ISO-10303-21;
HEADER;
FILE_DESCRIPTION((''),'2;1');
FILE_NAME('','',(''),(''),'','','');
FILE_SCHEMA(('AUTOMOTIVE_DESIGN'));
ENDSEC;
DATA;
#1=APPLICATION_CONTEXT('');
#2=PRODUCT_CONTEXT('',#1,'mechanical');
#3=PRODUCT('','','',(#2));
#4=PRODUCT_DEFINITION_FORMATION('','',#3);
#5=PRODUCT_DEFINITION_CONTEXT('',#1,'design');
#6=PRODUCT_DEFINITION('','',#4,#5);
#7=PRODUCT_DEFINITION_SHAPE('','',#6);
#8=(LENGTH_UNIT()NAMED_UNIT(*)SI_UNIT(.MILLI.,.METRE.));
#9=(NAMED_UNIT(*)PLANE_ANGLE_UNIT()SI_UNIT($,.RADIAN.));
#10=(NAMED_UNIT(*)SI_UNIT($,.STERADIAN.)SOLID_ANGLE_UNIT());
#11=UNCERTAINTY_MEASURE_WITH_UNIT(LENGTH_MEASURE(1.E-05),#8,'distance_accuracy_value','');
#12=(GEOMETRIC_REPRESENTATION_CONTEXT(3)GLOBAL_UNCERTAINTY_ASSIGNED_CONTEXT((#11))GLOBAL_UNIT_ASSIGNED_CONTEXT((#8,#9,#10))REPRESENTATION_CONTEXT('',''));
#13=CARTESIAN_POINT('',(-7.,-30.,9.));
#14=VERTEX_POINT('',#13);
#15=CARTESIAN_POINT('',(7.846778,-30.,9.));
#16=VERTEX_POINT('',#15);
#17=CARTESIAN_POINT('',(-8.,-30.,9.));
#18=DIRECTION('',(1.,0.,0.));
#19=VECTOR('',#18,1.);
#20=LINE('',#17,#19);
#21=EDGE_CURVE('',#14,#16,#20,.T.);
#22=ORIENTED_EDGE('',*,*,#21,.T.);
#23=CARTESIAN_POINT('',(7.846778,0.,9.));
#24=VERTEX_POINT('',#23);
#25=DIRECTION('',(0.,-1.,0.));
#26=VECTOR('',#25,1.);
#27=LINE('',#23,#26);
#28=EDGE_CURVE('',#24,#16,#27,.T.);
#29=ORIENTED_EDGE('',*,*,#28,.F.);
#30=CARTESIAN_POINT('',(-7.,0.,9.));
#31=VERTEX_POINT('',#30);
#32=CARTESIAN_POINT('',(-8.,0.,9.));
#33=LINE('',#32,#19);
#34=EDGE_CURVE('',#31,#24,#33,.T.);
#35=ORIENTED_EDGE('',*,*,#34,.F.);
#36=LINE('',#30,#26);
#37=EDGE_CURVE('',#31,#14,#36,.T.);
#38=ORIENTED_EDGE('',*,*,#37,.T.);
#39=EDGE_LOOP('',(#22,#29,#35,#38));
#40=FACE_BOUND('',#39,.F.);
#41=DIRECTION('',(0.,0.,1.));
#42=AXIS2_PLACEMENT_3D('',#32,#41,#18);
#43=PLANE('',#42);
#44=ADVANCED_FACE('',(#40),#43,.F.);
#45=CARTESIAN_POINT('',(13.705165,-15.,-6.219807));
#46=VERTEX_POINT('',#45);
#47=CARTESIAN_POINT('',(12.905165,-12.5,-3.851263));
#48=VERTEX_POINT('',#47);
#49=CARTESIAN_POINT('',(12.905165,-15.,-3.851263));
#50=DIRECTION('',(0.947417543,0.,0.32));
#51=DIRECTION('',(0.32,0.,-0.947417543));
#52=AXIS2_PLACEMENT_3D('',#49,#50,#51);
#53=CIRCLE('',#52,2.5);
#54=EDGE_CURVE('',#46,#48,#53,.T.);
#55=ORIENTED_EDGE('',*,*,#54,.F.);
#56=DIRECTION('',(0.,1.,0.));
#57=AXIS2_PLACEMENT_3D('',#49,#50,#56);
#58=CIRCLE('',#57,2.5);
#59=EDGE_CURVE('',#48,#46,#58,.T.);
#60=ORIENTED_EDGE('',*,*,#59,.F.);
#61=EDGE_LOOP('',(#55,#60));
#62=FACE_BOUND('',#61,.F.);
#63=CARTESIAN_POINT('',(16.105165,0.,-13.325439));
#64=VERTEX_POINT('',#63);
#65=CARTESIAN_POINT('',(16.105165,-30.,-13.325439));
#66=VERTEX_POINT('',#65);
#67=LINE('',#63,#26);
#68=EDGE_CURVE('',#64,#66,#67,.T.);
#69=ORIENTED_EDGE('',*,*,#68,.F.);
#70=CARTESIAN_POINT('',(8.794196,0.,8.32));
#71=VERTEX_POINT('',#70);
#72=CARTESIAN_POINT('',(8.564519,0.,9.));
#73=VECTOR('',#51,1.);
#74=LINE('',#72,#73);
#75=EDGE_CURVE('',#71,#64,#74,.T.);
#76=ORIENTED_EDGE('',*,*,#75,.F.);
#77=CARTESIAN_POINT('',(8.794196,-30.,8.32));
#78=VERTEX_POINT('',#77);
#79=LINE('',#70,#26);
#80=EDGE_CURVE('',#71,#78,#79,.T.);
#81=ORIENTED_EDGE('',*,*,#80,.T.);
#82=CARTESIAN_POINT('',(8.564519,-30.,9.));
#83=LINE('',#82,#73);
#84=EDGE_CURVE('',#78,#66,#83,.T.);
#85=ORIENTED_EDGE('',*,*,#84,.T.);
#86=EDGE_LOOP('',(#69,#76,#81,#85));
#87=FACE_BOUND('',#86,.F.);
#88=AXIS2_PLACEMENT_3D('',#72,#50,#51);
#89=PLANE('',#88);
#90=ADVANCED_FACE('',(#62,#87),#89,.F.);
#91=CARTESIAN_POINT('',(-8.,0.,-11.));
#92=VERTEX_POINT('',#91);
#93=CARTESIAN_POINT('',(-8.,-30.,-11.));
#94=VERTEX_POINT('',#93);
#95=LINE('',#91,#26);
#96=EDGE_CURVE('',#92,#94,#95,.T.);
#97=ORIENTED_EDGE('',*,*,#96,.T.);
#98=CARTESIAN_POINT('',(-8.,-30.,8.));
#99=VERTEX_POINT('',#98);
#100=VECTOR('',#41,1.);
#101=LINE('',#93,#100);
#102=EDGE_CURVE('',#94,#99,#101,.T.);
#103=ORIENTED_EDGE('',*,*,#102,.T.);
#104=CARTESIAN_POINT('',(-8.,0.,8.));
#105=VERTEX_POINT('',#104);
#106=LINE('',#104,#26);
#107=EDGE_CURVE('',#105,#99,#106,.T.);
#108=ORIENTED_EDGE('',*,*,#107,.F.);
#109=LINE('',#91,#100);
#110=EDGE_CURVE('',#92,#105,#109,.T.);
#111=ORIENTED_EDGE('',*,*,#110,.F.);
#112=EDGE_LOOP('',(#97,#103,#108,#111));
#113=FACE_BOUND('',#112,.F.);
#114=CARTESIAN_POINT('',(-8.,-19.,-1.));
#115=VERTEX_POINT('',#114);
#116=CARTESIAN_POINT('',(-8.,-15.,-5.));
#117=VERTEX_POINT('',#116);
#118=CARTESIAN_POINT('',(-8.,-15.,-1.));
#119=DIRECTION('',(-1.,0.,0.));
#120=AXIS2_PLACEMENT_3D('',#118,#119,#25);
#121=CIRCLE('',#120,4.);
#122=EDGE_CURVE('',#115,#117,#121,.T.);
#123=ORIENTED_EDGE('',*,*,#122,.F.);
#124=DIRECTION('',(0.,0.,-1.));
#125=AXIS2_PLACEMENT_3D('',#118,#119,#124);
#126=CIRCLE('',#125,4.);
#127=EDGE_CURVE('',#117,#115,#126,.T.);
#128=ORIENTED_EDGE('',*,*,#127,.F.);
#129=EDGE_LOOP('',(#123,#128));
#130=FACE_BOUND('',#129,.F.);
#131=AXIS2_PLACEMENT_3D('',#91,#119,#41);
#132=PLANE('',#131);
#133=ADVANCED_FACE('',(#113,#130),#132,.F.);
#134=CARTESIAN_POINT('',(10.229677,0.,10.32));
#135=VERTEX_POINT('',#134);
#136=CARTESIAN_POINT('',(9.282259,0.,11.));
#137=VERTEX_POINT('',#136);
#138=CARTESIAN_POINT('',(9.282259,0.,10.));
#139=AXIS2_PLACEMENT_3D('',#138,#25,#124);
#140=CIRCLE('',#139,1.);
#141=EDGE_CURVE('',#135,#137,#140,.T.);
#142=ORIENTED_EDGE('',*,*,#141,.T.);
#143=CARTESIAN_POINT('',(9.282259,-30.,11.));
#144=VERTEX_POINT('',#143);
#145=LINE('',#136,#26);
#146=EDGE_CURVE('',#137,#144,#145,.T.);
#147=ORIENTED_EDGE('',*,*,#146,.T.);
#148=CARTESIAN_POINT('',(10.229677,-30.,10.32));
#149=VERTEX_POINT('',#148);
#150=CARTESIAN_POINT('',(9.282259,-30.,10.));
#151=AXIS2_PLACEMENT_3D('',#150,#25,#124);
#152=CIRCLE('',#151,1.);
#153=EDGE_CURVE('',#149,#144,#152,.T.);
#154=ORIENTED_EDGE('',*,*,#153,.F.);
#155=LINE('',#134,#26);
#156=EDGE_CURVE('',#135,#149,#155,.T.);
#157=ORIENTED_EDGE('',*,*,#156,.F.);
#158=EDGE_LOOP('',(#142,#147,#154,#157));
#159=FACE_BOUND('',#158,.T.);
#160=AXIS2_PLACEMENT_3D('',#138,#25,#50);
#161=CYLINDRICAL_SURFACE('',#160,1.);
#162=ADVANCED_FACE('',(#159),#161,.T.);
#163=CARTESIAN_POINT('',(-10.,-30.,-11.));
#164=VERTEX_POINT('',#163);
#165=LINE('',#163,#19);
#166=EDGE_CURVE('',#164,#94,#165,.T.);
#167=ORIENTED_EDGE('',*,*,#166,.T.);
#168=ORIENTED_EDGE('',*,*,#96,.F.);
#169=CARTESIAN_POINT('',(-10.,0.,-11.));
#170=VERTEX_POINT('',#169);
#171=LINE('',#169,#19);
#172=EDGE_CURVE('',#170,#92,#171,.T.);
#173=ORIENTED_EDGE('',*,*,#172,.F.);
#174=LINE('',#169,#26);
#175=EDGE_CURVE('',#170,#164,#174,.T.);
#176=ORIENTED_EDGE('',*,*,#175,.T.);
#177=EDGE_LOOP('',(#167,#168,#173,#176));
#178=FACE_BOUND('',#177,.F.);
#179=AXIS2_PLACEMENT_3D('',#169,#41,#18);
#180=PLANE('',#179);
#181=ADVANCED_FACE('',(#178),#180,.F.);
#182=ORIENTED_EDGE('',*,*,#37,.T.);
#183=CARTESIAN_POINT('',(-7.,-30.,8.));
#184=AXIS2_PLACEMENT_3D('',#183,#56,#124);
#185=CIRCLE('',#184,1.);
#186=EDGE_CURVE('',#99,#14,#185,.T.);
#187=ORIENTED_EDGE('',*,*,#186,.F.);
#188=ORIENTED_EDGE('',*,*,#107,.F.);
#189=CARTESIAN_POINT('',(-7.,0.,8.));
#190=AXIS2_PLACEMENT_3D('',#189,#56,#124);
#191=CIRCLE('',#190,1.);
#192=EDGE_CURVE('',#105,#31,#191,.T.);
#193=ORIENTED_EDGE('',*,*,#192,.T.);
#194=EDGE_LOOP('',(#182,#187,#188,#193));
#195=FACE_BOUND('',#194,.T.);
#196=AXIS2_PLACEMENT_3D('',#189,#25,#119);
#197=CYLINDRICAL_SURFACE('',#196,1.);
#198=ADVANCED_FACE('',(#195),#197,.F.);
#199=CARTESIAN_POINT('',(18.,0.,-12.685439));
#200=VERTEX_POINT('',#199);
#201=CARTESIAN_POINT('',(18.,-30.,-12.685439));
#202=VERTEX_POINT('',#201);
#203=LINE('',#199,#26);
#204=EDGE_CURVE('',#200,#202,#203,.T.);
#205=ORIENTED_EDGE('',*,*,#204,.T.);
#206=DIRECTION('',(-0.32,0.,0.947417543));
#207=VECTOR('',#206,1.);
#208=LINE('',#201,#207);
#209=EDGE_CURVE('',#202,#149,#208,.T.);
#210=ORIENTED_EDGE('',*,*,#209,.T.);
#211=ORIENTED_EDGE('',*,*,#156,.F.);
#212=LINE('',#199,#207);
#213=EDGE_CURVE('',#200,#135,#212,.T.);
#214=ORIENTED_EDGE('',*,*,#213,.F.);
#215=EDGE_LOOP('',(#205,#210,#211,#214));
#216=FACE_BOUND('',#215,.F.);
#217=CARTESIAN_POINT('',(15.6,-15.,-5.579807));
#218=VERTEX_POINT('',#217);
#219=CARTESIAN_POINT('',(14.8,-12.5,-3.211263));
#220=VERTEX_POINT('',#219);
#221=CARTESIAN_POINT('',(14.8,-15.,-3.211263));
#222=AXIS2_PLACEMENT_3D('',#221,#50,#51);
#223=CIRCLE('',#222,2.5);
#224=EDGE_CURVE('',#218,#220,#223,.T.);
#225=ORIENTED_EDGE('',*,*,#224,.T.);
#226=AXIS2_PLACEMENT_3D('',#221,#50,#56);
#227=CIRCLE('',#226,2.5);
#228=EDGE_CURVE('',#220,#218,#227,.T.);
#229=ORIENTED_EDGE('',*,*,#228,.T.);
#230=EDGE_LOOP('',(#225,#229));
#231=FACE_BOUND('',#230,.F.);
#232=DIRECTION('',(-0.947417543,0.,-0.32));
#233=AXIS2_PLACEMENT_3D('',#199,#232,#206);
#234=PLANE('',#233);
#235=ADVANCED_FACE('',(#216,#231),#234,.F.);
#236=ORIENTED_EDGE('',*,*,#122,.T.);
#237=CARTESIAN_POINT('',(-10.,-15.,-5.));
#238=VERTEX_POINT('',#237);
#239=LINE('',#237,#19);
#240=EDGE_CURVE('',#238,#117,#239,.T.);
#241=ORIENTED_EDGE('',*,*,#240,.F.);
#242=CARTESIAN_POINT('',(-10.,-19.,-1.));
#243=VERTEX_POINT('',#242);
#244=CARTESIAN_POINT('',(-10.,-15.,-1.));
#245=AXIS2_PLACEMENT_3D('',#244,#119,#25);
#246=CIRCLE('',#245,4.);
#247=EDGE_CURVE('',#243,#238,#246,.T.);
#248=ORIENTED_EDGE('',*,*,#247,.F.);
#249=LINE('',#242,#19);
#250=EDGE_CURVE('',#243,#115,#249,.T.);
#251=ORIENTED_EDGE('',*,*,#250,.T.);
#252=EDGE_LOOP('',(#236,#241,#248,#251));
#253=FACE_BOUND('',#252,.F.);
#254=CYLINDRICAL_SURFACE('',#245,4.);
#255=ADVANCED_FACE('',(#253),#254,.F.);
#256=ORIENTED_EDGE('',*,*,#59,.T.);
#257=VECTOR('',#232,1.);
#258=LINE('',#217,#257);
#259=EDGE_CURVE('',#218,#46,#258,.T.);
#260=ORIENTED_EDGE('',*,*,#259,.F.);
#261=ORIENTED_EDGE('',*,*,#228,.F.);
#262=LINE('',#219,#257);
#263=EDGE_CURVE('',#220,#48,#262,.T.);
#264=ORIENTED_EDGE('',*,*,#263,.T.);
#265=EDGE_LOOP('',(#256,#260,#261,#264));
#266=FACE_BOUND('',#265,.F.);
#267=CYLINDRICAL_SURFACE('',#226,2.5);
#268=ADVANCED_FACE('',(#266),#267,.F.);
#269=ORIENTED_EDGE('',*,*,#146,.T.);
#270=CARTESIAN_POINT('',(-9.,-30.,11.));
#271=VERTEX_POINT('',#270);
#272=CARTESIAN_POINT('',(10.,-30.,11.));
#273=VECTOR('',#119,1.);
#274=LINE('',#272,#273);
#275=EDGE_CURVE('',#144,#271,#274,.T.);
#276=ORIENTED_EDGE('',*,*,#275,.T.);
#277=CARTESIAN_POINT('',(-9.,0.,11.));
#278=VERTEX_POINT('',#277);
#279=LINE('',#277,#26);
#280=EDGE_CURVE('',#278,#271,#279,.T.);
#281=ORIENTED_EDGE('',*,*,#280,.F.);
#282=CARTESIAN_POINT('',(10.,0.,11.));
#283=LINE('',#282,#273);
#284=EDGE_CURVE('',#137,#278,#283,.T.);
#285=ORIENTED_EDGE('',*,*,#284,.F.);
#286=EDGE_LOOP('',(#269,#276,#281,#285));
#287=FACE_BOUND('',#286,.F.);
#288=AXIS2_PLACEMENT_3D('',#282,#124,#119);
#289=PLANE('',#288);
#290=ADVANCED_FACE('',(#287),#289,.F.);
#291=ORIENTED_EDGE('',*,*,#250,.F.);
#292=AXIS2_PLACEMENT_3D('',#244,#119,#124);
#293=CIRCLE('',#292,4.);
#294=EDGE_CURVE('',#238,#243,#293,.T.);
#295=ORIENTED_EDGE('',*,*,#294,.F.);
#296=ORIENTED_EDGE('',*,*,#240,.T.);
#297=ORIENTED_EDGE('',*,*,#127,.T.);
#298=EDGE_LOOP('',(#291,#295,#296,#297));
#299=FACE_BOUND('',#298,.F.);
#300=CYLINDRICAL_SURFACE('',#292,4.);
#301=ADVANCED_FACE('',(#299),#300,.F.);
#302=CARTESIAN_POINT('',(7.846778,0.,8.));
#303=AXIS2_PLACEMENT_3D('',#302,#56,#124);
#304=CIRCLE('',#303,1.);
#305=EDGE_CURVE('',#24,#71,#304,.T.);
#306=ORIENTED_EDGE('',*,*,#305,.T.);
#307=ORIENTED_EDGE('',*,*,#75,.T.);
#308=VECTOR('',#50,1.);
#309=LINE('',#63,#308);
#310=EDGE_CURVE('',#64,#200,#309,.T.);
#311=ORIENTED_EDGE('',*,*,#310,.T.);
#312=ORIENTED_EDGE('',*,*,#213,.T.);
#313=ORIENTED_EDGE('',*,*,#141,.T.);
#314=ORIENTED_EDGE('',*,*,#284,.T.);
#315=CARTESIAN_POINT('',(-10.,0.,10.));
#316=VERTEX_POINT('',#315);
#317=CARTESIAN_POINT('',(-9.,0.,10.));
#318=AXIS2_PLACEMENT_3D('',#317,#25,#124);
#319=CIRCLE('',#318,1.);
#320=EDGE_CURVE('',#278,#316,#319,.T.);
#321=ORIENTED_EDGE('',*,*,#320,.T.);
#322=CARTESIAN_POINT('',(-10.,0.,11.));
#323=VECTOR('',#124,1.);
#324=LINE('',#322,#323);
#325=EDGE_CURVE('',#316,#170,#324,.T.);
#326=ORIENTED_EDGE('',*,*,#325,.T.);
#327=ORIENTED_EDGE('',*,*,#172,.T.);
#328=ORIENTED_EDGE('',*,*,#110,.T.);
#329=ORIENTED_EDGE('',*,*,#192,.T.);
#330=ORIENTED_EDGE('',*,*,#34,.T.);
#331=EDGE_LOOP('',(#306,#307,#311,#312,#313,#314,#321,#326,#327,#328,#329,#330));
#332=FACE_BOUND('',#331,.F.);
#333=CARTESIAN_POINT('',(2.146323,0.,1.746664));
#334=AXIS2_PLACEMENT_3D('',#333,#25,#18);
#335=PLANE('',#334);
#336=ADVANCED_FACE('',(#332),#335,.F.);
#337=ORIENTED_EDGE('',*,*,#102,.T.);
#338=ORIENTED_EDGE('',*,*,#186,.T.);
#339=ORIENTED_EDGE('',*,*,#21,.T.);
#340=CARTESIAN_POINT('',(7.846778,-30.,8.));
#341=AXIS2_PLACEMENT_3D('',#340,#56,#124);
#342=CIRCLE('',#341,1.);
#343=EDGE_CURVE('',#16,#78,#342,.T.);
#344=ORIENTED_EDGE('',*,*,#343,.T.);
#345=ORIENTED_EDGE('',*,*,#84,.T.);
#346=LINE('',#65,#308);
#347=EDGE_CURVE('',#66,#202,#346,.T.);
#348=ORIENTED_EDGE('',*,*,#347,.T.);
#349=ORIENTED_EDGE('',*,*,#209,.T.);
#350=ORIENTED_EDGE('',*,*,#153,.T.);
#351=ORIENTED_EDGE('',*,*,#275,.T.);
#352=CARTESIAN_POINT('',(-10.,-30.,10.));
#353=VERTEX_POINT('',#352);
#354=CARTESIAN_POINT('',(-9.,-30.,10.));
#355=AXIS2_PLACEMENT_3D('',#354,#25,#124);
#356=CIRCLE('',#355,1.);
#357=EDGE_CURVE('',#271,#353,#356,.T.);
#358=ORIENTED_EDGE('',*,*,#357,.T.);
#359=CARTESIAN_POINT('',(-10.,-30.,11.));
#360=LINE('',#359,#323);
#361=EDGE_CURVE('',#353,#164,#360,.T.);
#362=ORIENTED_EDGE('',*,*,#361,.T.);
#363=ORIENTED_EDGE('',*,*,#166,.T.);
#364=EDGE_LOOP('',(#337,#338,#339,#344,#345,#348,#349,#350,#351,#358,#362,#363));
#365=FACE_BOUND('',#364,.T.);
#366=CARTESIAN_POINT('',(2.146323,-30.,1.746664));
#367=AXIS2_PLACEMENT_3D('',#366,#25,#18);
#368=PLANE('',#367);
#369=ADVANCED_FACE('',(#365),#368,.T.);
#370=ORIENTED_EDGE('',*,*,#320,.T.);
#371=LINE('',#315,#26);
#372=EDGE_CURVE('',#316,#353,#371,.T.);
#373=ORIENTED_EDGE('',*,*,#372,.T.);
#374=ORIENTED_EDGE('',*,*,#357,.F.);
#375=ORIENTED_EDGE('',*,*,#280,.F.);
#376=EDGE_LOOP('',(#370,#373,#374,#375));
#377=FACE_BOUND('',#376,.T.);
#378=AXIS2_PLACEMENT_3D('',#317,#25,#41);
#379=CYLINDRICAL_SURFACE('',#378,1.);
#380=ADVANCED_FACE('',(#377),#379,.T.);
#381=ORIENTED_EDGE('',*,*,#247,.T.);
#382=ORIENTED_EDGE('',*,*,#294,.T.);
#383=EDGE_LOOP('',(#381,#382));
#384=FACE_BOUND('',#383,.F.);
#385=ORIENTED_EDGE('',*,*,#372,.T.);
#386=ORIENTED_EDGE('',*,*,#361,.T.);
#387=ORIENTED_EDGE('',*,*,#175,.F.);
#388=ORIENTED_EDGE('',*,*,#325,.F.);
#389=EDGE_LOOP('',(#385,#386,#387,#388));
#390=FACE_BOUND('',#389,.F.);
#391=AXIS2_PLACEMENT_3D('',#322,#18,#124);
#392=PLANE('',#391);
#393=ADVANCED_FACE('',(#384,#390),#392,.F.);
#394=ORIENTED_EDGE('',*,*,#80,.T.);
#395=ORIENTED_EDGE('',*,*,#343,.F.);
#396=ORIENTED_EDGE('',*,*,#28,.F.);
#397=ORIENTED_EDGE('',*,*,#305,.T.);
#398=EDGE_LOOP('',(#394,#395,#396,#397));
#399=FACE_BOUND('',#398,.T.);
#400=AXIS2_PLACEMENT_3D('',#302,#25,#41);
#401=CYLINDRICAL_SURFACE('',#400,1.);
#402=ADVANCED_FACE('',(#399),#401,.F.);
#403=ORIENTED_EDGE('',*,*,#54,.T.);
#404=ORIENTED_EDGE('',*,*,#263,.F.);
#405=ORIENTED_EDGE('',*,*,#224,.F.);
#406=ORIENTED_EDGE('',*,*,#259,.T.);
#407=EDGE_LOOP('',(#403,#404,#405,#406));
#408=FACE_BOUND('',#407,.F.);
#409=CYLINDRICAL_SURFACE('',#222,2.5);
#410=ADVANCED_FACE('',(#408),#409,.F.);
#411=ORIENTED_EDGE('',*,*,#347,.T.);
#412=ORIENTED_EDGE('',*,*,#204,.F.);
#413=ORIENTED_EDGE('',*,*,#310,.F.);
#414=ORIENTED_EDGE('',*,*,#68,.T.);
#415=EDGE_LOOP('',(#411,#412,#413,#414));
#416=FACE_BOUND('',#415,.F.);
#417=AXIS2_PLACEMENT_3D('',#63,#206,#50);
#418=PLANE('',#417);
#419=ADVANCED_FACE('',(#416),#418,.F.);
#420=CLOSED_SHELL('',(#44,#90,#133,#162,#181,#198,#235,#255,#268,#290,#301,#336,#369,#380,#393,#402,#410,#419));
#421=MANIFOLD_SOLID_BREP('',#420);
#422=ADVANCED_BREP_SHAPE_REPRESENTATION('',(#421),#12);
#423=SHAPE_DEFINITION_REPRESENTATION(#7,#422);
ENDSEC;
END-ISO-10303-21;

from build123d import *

# Parameters (mm, degrees)
F1_DEPTH = 30
F2_R     = 1
F5_DEPTH = 3
F6_DEPTH = 3


with BuildPart() as f1:
    # F0 (on Front) → F1 (new body)
    with BuildSketch(Plane.XZ):
        Polygon((18, -12.6854385647), (10, 11), (-10, 11), (-10, -11), (-8, -11), (-8, 9), (8.5645188749, 9), (16.1051649148, -13.3254385647), align=None)
    extrude(amount=F1_DEPTH)

    # F2
    f2_edges = [f1.edges().sort_by_distance(p)[0] for p in [
        (10, -15, 11),
        (-10, -15, 11),
        (-8, -15, 9),
        (8.564519, -15, 9),
    ]]
    fillet(f2_edges, radius=F2_R)

    # F3 (on face) → F5 (cut)
    with BuildSketch(Plane(origin=(12.3109097499, 0, 4.1581361363), x_dir=(0, 1, 0), z_dir=(0.9474175426, 0, 0.32))):
        with BuildLine():
            ThreePointArc((-12.5, -7.7784070316), (-16.767766953, -6.0106400786), (-15, -10.2784070316))
            ThreePointArc((-15, -10.2784070316), (-13.232233047, -9.5461739845), (-12.5, -7.7784070316))
        make_face()
    extrude(amount=-F5_DEPTH, mode=Mode.SUBTRACT)

    # F4 (on face) → F6 (cut)
    with BuildSketch(Plane(origin=(-10, 0, 0), x_dir=(0, -1, 0), z_dir=(-1, 0, 0))):
        with BuildLine():
            ThreePointArc((19, -1), (12.1715728753, 1.8284271247), (15, -5))
            ThreePointArc((15, -5), (17.8284271247, -3.8284271247), (19, -1))
        make_face()
    extrude(amount=-F6_DEPTH, mode=Mode.SUBTRACT)


solid = f1.part
